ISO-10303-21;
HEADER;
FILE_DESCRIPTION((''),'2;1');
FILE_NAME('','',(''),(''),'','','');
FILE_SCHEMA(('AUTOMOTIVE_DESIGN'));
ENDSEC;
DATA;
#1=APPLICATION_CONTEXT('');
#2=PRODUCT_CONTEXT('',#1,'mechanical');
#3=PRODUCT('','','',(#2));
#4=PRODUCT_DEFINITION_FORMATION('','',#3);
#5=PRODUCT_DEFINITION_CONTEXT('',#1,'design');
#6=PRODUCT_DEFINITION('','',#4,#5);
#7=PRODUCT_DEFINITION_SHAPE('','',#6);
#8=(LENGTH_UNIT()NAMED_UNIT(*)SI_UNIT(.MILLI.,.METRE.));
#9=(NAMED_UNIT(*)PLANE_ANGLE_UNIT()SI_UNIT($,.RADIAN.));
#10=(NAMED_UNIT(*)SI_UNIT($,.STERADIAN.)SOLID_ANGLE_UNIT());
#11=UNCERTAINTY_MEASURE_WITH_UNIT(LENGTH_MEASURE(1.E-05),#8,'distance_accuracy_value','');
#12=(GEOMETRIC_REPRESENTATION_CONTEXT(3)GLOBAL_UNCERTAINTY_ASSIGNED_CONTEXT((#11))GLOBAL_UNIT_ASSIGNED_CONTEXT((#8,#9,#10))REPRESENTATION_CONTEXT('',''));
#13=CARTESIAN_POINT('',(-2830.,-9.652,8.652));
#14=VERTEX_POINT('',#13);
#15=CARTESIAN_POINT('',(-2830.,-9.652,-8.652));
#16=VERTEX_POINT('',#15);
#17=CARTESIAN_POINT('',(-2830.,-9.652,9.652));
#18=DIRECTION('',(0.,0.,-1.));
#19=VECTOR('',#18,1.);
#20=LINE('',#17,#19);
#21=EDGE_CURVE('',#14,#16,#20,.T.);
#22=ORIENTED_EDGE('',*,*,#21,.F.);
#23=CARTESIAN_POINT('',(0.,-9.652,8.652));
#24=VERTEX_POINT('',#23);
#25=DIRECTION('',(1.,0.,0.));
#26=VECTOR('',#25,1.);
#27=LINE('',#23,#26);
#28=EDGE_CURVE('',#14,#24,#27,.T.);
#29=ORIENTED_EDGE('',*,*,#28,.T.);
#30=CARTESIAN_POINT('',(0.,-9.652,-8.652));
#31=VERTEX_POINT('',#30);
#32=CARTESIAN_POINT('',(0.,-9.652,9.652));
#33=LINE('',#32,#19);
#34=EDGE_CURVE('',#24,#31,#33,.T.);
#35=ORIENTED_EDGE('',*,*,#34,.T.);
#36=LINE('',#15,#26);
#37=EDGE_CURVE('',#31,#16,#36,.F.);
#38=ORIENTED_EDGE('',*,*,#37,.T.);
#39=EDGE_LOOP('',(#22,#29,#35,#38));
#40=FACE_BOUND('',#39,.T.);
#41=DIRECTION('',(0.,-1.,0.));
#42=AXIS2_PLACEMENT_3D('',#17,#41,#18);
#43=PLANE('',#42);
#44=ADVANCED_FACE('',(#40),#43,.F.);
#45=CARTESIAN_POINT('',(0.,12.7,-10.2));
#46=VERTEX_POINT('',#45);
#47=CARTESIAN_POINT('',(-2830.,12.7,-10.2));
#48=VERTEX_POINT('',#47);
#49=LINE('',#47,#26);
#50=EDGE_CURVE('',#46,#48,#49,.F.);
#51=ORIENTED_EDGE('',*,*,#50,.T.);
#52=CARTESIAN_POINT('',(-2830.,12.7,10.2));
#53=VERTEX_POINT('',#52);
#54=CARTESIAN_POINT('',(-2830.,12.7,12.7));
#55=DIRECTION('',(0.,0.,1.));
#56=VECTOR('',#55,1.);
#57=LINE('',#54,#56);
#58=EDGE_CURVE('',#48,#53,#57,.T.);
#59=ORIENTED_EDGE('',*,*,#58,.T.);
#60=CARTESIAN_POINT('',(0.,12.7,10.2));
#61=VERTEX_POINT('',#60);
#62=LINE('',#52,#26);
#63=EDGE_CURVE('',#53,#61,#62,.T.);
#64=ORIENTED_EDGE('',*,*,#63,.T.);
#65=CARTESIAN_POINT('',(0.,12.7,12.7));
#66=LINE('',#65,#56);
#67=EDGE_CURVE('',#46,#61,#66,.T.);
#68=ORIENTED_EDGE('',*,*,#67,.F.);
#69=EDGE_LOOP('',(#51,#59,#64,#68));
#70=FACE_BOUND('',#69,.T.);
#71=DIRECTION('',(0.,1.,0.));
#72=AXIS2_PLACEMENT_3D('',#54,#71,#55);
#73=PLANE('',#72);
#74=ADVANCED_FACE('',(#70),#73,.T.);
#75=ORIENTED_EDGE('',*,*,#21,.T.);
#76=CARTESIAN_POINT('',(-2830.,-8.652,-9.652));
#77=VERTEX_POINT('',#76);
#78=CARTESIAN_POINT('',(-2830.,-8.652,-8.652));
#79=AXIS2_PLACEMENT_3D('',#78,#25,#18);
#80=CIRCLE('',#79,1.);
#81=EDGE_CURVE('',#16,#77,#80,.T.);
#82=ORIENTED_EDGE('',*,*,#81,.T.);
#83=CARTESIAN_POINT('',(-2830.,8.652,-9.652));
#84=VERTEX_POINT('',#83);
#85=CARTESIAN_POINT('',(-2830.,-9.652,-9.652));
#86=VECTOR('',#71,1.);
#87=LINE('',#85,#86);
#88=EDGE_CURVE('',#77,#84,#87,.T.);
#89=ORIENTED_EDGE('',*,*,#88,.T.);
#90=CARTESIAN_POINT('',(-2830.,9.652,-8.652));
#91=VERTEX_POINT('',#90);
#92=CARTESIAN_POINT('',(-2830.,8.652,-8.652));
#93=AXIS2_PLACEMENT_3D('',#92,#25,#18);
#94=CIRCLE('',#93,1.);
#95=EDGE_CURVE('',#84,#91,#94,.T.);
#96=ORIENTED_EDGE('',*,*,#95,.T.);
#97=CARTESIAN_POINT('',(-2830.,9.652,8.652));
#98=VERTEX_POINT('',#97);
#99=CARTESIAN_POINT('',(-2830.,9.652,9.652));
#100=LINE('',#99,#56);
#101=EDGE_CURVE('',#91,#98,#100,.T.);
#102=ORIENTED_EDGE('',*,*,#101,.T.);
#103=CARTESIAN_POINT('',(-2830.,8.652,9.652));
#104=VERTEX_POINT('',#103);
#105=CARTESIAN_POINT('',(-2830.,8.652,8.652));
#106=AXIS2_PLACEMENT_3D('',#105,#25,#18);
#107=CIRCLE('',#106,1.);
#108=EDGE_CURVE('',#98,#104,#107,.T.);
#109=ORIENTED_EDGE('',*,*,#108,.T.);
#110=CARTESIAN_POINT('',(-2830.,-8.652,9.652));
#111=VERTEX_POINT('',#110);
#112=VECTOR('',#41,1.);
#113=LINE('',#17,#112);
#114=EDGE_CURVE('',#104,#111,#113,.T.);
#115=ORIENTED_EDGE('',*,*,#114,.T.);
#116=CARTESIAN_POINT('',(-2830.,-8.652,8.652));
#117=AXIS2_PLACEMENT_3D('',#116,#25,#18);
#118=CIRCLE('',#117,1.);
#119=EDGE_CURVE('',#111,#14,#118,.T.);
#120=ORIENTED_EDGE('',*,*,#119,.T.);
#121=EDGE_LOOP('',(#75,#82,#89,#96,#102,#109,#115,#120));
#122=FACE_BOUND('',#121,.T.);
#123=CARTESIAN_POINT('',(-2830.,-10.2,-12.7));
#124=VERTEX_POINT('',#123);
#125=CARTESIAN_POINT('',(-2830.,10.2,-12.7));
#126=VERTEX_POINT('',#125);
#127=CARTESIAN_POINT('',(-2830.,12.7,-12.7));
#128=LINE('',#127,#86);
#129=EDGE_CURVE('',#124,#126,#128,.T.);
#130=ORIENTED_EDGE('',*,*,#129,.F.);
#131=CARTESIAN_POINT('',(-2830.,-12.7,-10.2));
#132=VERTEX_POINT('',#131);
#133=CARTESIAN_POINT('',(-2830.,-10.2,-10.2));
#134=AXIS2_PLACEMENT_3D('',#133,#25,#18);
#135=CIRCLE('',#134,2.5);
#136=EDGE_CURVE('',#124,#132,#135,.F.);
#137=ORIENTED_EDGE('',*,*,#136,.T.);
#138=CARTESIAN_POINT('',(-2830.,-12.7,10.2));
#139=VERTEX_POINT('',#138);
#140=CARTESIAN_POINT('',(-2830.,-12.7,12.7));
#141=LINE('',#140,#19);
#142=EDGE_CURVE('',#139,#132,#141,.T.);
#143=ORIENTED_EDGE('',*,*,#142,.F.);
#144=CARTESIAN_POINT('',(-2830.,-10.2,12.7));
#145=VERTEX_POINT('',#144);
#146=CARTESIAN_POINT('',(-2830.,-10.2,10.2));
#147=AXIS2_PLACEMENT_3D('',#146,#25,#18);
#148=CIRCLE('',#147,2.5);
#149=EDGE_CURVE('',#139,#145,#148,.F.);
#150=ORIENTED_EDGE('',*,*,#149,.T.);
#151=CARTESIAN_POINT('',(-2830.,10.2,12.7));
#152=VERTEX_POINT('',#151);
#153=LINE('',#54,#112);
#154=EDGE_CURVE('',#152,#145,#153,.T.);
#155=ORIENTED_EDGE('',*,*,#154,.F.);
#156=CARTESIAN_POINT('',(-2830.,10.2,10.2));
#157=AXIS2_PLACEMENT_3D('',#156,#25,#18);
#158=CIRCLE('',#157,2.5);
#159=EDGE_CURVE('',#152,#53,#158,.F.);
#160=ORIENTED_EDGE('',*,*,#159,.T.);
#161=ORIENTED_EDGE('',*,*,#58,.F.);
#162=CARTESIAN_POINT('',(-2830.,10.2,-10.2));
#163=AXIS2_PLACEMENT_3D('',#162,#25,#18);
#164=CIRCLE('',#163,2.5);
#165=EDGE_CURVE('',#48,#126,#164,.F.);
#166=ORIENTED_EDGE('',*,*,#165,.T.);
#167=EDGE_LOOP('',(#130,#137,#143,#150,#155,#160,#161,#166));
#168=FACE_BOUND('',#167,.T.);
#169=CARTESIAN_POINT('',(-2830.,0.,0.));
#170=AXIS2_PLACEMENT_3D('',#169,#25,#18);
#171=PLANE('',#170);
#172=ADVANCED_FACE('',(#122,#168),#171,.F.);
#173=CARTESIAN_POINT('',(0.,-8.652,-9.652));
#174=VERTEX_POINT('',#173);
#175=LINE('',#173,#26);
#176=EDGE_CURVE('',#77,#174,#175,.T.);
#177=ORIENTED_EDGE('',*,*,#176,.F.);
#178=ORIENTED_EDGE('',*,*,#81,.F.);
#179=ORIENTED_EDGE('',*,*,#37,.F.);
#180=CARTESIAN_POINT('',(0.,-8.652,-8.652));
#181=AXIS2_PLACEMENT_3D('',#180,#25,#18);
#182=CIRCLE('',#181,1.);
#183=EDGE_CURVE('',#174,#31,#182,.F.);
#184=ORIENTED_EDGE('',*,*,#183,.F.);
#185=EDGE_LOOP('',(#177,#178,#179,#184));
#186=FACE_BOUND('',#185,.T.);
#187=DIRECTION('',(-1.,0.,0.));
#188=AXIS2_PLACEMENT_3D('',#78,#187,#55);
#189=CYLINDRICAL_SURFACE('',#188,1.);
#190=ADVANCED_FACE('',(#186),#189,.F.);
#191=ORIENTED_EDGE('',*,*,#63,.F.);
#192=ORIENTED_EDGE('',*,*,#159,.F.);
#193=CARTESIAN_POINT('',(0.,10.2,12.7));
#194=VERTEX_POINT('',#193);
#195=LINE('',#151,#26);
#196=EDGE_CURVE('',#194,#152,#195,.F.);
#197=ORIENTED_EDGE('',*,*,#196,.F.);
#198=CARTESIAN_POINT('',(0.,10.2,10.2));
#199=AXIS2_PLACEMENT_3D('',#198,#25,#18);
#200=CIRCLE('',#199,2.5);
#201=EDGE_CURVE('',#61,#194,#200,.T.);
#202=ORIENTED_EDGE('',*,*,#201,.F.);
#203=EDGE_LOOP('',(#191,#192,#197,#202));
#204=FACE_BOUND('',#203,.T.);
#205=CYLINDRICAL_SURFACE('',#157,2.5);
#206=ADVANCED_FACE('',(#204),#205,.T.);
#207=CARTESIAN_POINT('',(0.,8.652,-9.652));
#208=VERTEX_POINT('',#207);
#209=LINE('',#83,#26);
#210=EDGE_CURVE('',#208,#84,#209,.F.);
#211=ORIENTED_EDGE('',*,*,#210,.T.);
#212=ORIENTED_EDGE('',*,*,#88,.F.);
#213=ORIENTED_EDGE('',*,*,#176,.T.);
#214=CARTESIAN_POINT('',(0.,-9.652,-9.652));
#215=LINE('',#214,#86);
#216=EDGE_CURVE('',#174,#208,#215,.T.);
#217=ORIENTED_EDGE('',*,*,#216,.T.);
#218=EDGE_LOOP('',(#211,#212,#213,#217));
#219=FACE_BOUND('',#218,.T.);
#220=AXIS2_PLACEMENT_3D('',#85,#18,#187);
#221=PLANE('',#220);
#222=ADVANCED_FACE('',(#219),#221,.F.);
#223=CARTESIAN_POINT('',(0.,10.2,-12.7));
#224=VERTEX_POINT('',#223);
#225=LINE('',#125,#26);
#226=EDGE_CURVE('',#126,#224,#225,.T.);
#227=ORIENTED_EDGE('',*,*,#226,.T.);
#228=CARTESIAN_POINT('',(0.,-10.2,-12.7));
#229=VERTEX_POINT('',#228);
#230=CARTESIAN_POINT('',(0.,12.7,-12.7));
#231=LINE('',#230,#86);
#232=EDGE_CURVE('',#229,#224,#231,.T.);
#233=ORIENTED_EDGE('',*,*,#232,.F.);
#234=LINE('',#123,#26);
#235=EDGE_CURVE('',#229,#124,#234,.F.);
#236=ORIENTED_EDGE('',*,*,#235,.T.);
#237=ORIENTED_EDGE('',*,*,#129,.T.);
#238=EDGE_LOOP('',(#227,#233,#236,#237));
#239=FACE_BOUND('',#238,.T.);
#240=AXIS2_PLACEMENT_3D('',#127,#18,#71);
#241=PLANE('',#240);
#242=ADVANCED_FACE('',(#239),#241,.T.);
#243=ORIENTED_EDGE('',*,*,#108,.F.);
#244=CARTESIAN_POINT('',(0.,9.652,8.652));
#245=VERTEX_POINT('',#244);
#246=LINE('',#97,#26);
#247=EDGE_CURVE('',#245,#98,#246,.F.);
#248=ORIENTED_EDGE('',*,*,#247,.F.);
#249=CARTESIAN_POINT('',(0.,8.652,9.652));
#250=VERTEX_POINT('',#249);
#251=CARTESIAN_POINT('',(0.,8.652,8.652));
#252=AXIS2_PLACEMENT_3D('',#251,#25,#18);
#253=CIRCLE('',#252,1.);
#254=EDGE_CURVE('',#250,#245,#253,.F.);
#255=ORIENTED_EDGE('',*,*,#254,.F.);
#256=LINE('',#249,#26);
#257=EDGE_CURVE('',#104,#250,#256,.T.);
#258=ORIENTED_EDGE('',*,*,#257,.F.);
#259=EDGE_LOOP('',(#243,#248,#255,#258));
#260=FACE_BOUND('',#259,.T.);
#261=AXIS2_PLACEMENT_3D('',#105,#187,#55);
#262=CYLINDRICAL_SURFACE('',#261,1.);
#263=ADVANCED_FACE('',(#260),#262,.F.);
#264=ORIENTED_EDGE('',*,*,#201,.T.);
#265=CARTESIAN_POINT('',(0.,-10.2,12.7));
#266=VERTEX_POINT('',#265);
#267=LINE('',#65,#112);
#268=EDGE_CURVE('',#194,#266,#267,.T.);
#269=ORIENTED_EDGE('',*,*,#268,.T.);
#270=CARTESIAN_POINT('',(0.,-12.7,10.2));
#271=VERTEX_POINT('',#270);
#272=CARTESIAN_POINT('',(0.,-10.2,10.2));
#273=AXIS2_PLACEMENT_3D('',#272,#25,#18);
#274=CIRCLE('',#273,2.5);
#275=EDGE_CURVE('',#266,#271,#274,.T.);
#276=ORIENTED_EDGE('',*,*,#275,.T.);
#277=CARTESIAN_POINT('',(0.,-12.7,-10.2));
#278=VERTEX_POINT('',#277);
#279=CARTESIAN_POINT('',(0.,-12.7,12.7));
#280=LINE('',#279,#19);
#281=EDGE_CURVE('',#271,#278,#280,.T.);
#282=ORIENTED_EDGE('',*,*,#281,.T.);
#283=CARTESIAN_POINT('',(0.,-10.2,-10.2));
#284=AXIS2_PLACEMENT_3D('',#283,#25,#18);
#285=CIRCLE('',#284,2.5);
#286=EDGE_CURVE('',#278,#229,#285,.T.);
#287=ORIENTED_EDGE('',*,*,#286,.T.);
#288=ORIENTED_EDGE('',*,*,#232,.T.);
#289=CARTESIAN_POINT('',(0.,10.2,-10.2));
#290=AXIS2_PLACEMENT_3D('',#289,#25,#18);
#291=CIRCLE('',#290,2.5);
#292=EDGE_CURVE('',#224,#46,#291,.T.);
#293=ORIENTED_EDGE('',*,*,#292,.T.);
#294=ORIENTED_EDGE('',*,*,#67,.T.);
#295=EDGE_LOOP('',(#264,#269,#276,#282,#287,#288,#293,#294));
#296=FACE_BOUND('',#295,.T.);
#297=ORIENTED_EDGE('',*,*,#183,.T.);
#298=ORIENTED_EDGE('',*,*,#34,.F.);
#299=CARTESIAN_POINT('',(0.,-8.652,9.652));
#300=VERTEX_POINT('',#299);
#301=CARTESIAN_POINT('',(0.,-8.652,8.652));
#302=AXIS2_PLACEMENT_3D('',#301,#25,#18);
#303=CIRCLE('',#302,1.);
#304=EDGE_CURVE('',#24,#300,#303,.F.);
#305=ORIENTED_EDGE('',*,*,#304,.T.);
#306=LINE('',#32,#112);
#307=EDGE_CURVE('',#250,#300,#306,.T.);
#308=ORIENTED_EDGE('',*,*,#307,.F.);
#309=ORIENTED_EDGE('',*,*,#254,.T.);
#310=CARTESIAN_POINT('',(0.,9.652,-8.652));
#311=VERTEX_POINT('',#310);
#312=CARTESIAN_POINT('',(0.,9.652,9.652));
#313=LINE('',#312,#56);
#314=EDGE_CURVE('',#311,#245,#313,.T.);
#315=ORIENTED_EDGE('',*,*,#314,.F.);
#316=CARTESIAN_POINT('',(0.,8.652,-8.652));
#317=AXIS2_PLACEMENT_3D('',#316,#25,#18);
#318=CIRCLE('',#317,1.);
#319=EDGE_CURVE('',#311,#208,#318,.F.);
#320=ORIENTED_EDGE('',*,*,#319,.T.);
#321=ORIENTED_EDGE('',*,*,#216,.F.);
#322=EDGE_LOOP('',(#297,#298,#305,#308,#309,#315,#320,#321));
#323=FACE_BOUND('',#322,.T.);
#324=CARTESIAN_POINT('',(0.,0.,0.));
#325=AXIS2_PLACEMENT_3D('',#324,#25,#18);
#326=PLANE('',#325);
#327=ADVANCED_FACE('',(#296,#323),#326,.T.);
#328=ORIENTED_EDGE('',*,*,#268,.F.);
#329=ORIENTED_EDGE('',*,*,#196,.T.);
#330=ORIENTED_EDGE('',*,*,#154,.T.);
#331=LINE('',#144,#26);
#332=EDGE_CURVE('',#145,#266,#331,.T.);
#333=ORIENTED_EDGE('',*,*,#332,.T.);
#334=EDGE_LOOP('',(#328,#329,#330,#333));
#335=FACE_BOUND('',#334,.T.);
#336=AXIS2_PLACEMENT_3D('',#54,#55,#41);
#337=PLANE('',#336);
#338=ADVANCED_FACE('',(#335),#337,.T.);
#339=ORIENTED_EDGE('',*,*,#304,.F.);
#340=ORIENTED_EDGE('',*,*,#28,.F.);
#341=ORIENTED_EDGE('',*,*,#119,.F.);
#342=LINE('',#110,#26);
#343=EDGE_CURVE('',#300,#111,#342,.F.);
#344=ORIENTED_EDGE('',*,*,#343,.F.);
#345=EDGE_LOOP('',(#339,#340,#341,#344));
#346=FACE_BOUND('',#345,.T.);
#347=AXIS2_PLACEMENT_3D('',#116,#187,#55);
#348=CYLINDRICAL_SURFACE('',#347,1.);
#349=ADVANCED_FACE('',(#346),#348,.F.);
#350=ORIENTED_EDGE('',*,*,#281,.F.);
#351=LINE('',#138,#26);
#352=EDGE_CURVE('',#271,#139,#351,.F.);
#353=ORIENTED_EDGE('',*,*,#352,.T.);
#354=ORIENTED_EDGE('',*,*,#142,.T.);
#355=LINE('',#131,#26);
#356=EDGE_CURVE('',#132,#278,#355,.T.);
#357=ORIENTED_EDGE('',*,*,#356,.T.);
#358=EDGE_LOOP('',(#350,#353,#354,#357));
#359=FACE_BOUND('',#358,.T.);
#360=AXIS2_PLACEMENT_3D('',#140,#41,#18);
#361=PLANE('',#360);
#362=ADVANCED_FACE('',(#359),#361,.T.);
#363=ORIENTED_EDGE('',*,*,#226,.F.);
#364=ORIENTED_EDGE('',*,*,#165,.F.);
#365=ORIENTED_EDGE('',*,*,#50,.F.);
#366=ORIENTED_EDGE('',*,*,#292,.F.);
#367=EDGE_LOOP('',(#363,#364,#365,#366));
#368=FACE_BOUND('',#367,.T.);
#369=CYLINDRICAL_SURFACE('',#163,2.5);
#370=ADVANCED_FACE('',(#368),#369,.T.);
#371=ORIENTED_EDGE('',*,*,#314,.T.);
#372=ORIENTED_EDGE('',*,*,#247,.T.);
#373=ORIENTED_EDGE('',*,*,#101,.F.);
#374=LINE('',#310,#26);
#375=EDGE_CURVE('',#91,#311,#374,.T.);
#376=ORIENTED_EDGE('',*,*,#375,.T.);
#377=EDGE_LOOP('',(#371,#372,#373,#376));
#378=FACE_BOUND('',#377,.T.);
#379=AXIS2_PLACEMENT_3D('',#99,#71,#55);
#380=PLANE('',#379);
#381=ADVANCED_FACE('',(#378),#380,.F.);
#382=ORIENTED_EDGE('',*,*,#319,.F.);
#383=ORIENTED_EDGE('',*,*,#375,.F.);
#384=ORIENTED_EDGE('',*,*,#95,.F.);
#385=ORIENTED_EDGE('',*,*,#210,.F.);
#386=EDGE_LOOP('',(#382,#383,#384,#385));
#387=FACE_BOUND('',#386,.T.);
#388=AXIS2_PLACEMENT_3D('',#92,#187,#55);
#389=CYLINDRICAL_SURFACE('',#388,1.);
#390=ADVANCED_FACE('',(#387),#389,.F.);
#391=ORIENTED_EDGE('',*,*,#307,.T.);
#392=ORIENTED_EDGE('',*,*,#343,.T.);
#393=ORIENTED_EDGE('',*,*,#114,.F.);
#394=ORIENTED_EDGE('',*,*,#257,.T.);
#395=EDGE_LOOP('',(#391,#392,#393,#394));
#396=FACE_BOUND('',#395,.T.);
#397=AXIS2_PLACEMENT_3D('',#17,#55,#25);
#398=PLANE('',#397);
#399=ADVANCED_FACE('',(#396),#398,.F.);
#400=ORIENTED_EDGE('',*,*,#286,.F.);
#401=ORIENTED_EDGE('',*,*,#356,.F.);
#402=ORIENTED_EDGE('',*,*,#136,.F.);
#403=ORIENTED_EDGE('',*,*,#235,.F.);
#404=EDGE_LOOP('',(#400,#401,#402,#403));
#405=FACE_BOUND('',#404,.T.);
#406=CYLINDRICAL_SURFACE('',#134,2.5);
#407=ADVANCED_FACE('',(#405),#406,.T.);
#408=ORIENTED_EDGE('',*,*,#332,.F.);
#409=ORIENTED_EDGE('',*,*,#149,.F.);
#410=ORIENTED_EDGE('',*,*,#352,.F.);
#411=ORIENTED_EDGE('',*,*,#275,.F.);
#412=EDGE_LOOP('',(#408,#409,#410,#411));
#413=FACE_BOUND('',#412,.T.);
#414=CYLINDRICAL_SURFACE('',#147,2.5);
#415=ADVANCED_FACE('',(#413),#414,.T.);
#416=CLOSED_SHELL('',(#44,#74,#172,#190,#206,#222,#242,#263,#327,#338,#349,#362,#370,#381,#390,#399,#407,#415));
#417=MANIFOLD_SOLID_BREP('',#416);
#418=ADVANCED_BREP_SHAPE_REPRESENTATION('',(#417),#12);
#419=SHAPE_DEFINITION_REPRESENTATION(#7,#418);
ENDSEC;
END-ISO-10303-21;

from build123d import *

# Parameters (mm, degrees)
SKETCH3_W           = 25.4
SKETCH3_H           = 25.4
SKETCH3_W_2         = 19.304
SKETCH3_H_2         = 19.304
BOSS_EXTRUDE1_DEPTH = 2830
FILLET1_R           = 2.5
FILLET2_R           = 1


with BuildPart() as part:
    # Sketch3 → Boss-Extrude1 (new body)
    with BuildSketch(Plane(origin=(0, 0, 0), x_dir=(0, 0, -1), z_dir=(1, 0, 0))):
        Rectangle(SKETCH3_W, SKETCH3_H)
        Rectangle(SKETCH3_W_2, SKETCH3_H_2, mode=Mode.SUBTRACT)
    extrude(amount=-BOSS_EXTRUDE1_DEPTH)

    # Fillet1
    fillet1_edges = [part.edges().sort_by_distance(p)[0] for p in [
        (-1415, -12.7, -12.7),
        (-1415, -12.7, 12.7),
        (-1415, 12.7, 12.7),
        (-1415, 12.7, -12.7),
    ]]
    fillet(fillet1_edges, radius=FILLET1_R)

    # Fillet2
    fillet2_edges = [part.edges().sort_by_distance(p)[0] for p in [
        (-1415, 9.652, -9.652),
        (-1415, -9.652, -9.652),
        (-1415, -9.652, 9.652),
        (-1415, 9.652, 9.652),
    ]]
    fillet(fillet2_edges, radius=FILLET2_R)


solid = part.part
